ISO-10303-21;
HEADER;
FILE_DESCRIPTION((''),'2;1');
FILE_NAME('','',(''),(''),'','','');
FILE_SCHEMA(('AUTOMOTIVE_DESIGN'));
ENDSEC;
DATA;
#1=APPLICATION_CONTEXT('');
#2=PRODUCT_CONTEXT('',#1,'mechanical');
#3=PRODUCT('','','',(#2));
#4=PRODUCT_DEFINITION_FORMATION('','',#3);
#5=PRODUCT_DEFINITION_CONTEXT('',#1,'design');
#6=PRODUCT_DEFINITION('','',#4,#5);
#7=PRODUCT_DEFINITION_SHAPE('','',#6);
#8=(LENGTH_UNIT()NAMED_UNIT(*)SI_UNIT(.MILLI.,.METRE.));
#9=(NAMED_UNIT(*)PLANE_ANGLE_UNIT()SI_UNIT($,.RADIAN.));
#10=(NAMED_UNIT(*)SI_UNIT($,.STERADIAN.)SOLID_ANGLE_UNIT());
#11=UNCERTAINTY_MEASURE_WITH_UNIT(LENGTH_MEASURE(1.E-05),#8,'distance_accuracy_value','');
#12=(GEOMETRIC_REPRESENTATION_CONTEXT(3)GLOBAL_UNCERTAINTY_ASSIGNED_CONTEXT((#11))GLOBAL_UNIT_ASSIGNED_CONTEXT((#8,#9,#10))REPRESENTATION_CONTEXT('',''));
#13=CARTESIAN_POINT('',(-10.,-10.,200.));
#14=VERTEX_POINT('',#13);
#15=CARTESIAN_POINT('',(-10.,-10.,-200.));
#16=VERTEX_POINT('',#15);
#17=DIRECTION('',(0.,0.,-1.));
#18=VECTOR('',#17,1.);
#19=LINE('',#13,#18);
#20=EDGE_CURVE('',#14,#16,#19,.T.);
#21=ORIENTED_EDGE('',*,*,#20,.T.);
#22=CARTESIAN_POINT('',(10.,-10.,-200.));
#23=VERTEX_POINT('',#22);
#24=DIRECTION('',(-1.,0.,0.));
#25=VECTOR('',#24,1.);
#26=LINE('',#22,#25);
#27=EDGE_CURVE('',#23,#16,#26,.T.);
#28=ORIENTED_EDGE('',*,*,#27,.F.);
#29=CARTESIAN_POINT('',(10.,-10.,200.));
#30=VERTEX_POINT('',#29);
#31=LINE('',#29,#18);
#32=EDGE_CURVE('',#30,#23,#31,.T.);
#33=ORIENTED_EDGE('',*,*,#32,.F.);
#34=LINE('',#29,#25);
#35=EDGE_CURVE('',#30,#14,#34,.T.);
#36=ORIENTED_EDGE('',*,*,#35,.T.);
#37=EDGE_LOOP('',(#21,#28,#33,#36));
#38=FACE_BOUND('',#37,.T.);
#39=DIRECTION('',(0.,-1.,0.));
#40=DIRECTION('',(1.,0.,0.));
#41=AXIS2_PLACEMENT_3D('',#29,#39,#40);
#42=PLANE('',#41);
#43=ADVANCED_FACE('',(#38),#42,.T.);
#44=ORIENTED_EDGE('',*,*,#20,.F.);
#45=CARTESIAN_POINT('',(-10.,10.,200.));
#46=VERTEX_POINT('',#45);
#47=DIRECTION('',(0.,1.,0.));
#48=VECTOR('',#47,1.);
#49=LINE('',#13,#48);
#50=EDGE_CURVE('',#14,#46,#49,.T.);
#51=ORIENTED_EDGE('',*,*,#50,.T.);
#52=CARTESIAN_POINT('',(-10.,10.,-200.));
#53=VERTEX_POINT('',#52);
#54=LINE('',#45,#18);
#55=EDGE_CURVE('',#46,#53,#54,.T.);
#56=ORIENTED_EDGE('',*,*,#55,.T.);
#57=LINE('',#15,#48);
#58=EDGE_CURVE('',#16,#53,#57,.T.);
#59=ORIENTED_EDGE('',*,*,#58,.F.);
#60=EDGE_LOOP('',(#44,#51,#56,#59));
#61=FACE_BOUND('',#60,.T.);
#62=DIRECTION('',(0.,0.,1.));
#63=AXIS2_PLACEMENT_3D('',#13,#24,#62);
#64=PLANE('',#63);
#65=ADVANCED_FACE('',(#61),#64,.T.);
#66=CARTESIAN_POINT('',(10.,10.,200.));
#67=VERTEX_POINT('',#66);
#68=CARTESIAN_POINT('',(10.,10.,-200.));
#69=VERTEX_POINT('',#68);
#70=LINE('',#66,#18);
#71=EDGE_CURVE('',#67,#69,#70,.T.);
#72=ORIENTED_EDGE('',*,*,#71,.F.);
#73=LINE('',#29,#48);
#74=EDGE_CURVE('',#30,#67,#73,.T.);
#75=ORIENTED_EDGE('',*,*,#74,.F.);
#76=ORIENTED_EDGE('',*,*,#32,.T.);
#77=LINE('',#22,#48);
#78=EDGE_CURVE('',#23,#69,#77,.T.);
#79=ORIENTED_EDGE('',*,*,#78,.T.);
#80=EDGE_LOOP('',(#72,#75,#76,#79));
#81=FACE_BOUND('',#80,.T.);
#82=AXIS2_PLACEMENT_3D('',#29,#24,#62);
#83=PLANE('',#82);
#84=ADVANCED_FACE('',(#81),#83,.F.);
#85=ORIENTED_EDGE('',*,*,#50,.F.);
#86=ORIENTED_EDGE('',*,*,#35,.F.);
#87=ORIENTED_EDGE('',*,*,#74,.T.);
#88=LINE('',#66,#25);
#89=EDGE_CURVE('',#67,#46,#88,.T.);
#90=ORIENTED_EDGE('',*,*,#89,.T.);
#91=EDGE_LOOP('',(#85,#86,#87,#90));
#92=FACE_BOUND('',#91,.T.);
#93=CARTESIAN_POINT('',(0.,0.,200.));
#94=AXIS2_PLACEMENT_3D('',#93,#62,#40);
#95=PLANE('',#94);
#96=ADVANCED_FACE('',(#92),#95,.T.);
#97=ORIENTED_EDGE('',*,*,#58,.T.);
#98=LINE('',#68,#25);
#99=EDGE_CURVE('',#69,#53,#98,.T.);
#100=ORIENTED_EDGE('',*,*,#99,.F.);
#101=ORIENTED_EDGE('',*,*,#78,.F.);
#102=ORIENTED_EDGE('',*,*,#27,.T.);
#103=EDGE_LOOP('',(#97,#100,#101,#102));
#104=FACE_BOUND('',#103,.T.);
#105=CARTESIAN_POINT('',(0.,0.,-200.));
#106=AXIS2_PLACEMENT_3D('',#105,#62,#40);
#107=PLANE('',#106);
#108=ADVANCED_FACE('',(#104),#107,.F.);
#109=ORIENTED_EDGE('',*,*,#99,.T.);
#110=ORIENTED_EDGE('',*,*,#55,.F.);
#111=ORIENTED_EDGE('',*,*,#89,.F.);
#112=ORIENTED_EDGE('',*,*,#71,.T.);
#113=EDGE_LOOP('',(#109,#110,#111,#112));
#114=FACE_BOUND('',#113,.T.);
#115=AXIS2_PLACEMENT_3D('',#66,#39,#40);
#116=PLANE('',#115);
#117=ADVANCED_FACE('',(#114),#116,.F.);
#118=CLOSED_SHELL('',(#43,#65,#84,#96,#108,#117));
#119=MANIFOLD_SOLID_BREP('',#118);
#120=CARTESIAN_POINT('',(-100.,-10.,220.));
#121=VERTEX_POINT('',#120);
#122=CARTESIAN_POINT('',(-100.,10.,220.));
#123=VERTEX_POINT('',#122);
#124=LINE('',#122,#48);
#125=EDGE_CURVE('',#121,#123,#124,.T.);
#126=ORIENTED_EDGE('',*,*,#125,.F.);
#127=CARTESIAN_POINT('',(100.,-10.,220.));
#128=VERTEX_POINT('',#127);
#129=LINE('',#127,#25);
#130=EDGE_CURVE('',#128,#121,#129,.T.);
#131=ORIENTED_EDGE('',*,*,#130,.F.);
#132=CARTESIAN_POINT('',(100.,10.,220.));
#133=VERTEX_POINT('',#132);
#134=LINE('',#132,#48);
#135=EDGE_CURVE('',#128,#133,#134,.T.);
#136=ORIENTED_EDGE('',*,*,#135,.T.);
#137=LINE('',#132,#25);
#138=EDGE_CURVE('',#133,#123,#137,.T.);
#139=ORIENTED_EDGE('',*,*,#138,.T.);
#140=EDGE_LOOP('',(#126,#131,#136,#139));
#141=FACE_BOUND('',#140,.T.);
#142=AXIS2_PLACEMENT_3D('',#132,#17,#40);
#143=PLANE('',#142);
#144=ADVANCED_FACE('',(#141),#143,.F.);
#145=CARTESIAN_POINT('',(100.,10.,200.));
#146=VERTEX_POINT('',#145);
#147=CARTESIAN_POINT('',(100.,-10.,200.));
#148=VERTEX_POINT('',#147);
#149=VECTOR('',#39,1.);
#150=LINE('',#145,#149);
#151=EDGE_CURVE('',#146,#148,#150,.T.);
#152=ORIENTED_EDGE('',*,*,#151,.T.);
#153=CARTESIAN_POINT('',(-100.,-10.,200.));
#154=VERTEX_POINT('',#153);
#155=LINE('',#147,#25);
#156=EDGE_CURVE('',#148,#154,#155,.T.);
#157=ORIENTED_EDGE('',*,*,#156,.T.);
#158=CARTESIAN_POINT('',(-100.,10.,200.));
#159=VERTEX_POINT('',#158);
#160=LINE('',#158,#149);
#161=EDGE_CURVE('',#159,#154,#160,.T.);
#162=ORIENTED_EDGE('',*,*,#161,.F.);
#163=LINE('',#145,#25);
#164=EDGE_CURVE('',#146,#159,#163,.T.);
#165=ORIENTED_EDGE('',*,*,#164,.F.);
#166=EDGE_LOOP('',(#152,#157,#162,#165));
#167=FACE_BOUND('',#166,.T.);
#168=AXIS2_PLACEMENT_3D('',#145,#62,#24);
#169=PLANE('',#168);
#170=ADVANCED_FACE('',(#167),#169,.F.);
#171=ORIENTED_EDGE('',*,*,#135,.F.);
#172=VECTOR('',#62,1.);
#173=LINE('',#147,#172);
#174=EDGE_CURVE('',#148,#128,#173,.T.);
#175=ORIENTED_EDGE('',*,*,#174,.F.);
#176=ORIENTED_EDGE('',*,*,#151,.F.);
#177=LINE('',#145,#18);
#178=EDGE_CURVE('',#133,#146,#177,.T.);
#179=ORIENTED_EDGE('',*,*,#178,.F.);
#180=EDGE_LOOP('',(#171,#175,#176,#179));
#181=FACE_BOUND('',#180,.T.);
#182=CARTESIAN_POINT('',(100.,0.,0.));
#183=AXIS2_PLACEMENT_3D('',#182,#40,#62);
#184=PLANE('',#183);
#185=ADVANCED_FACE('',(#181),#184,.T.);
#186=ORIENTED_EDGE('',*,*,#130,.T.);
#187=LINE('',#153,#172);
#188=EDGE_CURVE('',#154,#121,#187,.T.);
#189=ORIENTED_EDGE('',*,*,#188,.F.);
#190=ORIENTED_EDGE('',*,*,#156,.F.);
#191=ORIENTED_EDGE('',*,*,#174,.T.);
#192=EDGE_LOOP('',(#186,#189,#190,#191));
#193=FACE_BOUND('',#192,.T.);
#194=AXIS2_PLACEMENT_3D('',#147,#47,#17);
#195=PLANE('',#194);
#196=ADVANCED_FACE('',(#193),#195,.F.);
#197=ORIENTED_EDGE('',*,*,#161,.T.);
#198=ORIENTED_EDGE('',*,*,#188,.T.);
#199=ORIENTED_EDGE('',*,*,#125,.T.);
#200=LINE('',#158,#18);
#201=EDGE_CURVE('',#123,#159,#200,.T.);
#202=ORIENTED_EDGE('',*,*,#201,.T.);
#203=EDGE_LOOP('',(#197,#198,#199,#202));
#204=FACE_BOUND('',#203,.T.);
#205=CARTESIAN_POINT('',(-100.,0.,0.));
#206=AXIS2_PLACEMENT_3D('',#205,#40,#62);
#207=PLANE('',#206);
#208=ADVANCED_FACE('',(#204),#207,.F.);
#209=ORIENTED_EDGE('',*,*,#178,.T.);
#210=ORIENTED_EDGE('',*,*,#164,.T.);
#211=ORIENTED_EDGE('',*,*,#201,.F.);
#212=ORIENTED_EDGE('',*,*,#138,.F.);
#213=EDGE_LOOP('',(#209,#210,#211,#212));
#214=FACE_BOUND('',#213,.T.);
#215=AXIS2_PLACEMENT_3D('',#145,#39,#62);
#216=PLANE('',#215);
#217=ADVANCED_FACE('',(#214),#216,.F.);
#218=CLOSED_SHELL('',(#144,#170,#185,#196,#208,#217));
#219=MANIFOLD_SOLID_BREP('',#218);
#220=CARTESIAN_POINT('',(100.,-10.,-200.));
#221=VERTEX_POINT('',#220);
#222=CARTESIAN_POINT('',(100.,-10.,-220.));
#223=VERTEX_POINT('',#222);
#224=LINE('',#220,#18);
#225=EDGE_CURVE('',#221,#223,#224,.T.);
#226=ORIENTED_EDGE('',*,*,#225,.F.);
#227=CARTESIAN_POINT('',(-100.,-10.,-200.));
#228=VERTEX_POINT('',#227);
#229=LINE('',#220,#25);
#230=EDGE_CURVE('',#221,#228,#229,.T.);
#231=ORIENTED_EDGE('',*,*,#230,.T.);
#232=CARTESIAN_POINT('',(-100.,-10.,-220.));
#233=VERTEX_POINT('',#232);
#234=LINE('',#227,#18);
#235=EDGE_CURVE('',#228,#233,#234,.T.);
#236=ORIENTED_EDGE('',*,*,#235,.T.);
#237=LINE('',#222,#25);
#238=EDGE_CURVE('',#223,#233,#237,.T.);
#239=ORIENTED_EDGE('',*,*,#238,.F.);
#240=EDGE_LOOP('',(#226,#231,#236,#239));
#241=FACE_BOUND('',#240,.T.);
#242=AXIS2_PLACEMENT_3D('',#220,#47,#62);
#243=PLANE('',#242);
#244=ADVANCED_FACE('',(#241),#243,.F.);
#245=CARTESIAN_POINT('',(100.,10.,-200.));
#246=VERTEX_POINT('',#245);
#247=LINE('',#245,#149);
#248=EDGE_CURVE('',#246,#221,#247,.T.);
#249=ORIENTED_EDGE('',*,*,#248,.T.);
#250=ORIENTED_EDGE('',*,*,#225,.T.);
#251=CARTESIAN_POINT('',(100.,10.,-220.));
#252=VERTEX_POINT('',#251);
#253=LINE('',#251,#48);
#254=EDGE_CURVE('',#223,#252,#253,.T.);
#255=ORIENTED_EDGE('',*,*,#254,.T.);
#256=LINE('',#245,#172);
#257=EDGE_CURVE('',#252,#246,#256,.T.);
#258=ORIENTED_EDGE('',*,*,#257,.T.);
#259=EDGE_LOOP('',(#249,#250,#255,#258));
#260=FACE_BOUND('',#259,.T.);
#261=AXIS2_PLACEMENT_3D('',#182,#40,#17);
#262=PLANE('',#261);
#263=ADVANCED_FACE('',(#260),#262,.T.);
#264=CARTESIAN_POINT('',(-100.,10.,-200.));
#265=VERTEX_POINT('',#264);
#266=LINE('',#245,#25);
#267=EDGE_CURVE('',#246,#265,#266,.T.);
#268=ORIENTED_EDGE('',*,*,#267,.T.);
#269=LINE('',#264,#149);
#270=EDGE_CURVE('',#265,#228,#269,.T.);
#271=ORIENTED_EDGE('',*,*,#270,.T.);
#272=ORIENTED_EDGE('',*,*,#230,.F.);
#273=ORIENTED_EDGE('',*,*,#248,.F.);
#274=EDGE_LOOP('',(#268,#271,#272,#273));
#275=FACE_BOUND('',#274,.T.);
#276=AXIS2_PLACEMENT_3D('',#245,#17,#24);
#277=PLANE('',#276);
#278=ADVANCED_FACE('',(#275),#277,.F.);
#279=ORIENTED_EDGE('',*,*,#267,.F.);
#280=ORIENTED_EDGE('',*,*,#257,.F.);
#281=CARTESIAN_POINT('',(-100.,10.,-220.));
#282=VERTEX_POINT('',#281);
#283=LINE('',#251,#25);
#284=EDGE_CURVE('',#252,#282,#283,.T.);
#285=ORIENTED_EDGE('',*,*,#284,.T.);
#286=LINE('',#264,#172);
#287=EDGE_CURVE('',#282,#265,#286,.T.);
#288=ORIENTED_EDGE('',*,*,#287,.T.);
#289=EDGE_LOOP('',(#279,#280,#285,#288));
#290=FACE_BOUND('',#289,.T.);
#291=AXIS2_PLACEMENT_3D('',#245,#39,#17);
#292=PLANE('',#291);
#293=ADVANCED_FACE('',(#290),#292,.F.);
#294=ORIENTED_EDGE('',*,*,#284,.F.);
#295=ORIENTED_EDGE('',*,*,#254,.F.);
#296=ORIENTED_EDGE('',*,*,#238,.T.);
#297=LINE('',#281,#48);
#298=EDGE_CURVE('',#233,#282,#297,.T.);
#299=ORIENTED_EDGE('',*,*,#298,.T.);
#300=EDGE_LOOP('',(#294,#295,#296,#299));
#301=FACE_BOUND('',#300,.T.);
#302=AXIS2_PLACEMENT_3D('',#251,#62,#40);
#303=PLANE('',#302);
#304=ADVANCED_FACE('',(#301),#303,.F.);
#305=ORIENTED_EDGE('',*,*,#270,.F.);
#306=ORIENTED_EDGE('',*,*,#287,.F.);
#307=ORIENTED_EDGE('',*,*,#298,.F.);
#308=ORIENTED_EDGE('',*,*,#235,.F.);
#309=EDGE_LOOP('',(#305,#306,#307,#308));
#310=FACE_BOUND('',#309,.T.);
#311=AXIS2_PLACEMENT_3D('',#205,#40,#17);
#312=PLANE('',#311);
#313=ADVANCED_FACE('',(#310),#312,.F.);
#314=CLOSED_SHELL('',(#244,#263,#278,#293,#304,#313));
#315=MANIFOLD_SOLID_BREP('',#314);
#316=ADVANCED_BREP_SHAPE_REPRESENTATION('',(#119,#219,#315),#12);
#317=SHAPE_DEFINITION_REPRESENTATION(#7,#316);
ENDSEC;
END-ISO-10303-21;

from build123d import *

# Parameters (mm, degrees)
SKETCH_1_W      = 20
SKETCH_1_H      = 20
EXTRUDE_1_DEPTH = 200
SKETCH_2_W      = 20
SKETCH_2_H      = 20
EXTRUDE_2_DEPTH = 100


with BuildPart() as part:
    # Эскиз1 → Бобышка-Вытянуть1 (new, symmetric)
    with BuildSketch(Plane.XY):
        Rectangle(SKETCH_1_W, SKETCH_1_H)
    extrude(amount=EXTRUDE_1_DEPTH, both=True)


with BuildPart() as body_2:
    # Эскиз2 → Бобышка-Вытянуть2 (new, symmetric)
    with BuildSketch(Plane(origin=(0, 0, 0), x_dir=(0, 0, -1), z_dir=(1, 0, 0))):
        with Locations((210, 0)):
            Rectangle(SKETCH_2_W, SKETCH_2_H)
    extrude(amount=EXTRUDE_2_DEPTH, both=True)


with BuildPart() as body_3:
    # Зеркальное отражение1: mirrored copy
    add(body_2.part.mirror(Plane.XY))


solid = Compound([part.part, body_2.part, body_3.part])
